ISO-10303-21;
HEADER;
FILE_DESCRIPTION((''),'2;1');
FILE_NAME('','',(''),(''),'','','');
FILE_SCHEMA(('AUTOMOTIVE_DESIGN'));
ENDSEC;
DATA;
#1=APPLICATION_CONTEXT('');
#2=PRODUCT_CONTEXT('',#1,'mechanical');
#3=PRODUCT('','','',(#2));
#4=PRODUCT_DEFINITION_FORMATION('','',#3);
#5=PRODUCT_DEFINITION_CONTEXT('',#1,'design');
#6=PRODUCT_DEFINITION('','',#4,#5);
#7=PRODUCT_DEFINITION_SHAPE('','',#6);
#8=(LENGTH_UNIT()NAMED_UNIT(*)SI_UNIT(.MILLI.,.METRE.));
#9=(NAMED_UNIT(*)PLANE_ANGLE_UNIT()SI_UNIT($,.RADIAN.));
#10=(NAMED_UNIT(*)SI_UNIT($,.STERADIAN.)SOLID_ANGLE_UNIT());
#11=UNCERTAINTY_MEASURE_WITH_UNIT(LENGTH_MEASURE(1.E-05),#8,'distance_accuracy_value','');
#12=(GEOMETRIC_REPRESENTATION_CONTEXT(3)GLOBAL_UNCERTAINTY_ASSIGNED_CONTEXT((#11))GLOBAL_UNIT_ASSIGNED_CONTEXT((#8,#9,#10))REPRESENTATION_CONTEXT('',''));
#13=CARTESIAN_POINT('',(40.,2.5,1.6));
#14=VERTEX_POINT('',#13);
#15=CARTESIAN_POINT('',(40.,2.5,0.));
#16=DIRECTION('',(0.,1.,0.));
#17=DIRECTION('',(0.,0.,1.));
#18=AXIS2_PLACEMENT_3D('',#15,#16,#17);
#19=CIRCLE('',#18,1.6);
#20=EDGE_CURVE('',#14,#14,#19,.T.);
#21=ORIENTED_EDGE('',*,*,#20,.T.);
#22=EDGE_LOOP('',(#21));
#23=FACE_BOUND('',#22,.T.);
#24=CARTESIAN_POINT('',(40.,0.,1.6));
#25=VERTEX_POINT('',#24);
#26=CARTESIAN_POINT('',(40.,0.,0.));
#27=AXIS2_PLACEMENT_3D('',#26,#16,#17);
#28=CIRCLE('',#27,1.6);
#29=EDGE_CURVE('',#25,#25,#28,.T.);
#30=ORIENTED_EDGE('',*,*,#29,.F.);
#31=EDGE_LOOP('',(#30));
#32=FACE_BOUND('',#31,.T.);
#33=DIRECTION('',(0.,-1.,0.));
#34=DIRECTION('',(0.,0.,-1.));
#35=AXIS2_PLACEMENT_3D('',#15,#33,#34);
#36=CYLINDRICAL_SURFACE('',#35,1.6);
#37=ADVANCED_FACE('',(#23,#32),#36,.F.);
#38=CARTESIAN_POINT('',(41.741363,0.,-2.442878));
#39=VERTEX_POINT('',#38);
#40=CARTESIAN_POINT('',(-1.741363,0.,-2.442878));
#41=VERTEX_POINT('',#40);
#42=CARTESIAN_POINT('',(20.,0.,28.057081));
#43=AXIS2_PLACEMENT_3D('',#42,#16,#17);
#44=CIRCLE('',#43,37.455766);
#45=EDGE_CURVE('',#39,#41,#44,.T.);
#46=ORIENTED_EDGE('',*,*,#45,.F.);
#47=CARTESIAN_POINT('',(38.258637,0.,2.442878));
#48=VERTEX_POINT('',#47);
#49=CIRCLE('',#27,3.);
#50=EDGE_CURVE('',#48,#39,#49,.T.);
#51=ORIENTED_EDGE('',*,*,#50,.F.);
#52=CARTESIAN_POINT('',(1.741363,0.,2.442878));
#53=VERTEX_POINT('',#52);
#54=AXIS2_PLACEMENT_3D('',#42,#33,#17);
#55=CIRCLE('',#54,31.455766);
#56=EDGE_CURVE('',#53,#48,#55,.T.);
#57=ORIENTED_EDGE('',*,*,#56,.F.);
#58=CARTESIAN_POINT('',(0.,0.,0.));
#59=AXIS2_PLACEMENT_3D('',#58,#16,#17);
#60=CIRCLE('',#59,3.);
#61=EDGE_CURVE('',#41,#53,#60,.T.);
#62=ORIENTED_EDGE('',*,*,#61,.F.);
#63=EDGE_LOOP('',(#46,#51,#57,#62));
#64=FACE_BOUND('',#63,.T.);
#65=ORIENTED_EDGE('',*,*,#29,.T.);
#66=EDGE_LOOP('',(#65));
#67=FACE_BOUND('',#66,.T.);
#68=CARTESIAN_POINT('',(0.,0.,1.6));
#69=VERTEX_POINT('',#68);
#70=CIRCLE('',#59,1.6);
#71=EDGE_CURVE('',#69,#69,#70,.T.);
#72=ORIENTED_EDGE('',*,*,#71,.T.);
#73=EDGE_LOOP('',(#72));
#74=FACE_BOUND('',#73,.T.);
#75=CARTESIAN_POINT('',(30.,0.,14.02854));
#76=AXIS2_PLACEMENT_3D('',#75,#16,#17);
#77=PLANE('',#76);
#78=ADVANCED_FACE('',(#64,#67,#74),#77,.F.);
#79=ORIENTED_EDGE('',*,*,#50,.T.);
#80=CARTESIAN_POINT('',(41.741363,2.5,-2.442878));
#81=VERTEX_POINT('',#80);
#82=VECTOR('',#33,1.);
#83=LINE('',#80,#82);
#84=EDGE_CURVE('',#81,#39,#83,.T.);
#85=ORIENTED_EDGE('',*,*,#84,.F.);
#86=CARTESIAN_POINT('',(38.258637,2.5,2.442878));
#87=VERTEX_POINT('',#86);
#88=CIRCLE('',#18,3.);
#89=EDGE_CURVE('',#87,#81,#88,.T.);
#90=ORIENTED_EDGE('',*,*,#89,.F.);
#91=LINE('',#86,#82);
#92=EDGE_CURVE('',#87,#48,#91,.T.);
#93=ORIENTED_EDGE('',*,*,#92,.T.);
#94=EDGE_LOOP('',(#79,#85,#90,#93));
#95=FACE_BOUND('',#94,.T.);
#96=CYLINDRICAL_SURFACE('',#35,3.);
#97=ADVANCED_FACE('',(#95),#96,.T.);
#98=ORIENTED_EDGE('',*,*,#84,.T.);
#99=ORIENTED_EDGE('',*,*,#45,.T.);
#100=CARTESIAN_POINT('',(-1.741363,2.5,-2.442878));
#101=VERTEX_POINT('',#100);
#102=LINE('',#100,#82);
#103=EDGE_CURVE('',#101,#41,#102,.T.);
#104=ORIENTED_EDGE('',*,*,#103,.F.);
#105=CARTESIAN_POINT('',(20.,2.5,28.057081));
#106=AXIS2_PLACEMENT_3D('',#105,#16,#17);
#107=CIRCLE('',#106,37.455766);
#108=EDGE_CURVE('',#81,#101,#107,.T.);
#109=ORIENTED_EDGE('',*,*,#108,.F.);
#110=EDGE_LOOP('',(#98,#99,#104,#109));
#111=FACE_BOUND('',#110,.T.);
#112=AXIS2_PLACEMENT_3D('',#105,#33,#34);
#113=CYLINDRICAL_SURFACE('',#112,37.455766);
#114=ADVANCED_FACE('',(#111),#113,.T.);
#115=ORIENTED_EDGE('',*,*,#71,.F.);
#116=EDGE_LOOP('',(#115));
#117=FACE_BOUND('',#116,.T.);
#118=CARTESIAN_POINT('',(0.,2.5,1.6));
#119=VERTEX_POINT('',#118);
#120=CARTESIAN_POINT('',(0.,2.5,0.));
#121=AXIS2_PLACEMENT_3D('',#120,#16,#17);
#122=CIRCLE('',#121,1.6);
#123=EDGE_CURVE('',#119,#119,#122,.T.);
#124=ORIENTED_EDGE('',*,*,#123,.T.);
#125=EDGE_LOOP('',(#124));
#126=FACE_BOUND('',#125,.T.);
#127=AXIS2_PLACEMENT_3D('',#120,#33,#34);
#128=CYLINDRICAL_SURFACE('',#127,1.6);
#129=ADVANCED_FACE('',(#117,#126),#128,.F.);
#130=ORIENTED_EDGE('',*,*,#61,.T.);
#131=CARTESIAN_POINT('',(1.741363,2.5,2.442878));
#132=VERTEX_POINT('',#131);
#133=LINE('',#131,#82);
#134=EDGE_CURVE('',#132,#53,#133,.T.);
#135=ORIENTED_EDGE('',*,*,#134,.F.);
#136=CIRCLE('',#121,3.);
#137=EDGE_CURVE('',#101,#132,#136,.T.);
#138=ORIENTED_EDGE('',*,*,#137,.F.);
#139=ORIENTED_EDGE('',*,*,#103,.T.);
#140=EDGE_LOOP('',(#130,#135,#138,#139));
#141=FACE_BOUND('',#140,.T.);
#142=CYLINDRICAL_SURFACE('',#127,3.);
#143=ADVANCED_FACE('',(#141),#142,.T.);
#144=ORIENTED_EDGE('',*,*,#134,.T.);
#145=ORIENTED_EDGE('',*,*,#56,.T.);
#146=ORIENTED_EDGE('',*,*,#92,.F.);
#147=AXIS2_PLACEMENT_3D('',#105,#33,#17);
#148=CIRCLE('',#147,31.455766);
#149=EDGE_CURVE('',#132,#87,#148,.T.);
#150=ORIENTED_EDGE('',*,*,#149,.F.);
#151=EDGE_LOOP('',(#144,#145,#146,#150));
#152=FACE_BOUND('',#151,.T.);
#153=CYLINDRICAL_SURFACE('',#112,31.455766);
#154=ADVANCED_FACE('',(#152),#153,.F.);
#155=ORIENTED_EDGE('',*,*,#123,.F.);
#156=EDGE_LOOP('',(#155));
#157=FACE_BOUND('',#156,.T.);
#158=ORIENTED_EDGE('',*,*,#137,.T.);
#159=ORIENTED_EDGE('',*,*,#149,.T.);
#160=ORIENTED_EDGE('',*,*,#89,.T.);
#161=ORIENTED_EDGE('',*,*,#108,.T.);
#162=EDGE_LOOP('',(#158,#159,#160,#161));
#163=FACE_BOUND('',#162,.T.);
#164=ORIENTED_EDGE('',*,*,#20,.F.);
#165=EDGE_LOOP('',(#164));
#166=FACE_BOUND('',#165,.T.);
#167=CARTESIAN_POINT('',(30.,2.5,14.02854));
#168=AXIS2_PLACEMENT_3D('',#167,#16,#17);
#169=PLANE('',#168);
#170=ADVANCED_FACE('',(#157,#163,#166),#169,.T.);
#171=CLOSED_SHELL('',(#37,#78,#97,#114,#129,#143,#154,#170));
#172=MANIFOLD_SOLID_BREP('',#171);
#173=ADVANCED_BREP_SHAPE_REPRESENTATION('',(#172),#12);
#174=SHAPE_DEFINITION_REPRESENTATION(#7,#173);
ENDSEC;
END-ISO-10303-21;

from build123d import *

# Parameters (mm, degrees)
SKETCH_1_R      = 1.6
EXTRUDE_1_DEPTH = 2.5


with BuildPart() as part:
    # 草图1 → 凸台-拉伸1 (new body)
    with BuildSketch(Plane(origin=(0, 0, 0), x_dir=(1, 0, 0), z_dir=(0, 1, 0))):
        with BuildLine():
            ThreePointArc((41.741363132, 2.442878311), (20, 9.398684787), (-1.741363132, 2.442878311))
            ThreePointArc((-1.741363132, 2.442878311), (-2.442878311, -1.741363132), (1.741363132, -2.442878311))
            ThreePointArc((1.741363132, -2.442878311), (20, 3.398684787), (38.258636868, -2.442878311))
            ThreePointArc((38.258636868, -2.442878311), (42.442878311, -1.741363132), (41.741363132, 2.442878311))
        make_face()
        Circle(SKETCH_1_R, mode=Mode.SUBTRACT)
        with Locations((40, 0)):
            Circle(SKETCH_1_R, mode=Mode.SUBTRACT)
    extrude(amount=EXTRUDE_1_DEPTH)


solid = part.part
